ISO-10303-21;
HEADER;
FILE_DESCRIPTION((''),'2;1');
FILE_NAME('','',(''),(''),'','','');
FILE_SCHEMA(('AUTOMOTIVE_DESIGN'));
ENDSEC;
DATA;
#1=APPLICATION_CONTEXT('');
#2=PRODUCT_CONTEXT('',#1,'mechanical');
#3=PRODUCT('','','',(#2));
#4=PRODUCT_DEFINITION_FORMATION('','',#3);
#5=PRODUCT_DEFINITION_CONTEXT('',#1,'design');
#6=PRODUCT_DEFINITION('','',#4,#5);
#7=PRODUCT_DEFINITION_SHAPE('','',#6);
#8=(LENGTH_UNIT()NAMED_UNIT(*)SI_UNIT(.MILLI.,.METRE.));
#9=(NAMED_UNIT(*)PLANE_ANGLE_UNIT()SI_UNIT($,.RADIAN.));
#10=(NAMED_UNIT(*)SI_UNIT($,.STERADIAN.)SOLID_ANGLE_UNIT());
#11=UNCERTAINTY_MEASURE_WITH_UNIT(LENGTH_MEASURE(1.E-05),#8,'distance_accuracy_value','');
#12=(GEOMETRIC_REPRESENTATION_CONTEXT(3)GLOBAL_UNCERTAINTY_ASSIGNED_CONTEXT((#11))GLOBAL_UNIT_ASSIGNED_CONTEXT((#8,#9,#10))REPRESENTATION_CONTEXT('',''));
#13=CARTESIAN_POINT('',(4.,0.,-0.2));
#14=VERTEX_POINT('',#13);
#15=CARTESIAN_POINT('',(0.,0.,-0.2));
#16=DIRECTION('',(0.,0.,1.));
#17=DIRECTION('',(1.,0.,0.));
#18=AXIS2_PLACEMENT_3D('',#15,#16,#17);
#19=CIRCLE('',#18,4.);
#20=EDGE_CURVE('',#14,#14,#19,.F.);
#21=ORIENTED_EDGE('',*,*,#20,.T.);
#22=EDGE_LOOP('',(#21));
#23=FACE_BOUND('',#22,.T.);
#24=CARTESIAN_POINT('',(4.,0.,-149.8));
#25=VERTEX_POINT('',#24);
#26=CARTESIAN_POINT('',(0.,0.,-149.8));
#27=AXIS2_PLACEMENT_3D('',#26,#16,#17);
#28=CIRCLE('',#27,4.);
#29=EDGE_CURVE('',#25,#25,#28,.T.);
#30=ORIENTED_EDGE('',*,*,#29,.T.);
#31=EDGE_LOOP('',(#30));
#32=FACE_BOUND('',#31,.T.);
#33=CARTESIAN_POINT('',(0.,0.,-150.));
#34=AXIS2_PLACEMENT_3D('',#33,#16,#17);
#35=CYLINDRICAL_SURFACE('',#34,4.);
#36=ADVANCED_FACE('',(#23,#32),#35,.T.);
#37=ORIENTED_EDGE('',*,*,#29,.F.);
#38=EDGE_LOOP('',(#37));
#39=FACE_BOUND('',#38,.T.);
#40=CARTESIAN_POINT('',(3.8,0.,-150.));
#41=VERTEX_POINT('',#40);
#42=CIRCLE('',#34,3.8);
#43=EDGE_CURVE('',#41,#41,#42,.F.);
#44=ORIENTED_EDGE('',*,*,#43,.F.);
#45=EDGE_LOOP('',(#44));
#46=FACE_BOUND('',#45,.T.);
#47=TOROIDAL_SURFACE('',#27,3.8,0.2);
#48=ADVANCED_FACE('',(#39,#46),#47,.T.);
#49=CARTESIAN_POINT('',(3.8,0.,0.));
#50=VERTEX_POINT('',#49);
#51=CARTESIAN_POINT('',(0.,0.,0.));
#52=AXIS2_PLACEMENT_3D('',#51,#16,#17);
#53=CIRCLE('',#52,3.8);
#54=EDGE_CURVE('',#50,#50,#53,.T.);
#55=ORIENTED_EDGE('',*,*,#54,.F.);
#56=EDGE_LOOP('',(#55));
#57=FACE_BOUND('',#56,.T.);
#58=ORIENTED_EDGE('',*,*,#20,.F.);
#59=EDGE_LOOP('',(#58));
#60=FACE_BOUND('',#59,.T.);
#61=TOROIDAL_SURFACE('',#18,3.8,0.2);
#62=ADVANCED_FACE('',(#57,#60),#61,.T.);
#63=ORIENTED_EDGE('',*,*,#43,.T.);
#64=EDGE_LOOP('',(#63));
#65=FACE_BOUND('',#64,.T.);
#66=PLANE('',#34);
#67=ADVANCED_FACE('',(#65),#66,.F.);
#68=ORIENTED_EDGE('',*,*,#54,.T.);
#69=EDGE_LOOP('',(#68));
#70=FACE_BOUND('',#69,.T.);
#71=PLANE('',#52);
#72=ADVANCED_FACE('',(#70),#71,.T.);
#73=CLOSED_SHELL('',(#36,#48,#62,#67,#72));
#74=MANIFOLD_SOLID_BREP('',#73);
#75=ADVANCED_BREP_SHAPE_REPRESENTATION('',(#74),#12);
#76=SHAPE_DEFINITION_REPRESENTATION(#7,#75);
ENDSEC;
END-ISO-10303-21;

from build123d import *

# Parameters (mm, degrees)
SKETCH1_R           = 4
BOSS_EXTRUDE1_DEPTH = 150
FILLET1_R           = 0.2


with BuildPart() as part:
    # Sketch1 → Boss-Extrude1 (new body)
    with BuildSketch(Plane.XY):
        Circle(SKETCH1_R)
    extrude(amount=-BOSS_EXTRUDE1_DEPTH)

    # Fillet1
    fillet1_edges = [part.edges().sort_by_distance(p)[0] for p in [
        (-4, 0, 0),
        (-4, 0, -150),
    ]]
    fillet(fillet1_edges, radius=FILLET1_R)


solid = part.part
